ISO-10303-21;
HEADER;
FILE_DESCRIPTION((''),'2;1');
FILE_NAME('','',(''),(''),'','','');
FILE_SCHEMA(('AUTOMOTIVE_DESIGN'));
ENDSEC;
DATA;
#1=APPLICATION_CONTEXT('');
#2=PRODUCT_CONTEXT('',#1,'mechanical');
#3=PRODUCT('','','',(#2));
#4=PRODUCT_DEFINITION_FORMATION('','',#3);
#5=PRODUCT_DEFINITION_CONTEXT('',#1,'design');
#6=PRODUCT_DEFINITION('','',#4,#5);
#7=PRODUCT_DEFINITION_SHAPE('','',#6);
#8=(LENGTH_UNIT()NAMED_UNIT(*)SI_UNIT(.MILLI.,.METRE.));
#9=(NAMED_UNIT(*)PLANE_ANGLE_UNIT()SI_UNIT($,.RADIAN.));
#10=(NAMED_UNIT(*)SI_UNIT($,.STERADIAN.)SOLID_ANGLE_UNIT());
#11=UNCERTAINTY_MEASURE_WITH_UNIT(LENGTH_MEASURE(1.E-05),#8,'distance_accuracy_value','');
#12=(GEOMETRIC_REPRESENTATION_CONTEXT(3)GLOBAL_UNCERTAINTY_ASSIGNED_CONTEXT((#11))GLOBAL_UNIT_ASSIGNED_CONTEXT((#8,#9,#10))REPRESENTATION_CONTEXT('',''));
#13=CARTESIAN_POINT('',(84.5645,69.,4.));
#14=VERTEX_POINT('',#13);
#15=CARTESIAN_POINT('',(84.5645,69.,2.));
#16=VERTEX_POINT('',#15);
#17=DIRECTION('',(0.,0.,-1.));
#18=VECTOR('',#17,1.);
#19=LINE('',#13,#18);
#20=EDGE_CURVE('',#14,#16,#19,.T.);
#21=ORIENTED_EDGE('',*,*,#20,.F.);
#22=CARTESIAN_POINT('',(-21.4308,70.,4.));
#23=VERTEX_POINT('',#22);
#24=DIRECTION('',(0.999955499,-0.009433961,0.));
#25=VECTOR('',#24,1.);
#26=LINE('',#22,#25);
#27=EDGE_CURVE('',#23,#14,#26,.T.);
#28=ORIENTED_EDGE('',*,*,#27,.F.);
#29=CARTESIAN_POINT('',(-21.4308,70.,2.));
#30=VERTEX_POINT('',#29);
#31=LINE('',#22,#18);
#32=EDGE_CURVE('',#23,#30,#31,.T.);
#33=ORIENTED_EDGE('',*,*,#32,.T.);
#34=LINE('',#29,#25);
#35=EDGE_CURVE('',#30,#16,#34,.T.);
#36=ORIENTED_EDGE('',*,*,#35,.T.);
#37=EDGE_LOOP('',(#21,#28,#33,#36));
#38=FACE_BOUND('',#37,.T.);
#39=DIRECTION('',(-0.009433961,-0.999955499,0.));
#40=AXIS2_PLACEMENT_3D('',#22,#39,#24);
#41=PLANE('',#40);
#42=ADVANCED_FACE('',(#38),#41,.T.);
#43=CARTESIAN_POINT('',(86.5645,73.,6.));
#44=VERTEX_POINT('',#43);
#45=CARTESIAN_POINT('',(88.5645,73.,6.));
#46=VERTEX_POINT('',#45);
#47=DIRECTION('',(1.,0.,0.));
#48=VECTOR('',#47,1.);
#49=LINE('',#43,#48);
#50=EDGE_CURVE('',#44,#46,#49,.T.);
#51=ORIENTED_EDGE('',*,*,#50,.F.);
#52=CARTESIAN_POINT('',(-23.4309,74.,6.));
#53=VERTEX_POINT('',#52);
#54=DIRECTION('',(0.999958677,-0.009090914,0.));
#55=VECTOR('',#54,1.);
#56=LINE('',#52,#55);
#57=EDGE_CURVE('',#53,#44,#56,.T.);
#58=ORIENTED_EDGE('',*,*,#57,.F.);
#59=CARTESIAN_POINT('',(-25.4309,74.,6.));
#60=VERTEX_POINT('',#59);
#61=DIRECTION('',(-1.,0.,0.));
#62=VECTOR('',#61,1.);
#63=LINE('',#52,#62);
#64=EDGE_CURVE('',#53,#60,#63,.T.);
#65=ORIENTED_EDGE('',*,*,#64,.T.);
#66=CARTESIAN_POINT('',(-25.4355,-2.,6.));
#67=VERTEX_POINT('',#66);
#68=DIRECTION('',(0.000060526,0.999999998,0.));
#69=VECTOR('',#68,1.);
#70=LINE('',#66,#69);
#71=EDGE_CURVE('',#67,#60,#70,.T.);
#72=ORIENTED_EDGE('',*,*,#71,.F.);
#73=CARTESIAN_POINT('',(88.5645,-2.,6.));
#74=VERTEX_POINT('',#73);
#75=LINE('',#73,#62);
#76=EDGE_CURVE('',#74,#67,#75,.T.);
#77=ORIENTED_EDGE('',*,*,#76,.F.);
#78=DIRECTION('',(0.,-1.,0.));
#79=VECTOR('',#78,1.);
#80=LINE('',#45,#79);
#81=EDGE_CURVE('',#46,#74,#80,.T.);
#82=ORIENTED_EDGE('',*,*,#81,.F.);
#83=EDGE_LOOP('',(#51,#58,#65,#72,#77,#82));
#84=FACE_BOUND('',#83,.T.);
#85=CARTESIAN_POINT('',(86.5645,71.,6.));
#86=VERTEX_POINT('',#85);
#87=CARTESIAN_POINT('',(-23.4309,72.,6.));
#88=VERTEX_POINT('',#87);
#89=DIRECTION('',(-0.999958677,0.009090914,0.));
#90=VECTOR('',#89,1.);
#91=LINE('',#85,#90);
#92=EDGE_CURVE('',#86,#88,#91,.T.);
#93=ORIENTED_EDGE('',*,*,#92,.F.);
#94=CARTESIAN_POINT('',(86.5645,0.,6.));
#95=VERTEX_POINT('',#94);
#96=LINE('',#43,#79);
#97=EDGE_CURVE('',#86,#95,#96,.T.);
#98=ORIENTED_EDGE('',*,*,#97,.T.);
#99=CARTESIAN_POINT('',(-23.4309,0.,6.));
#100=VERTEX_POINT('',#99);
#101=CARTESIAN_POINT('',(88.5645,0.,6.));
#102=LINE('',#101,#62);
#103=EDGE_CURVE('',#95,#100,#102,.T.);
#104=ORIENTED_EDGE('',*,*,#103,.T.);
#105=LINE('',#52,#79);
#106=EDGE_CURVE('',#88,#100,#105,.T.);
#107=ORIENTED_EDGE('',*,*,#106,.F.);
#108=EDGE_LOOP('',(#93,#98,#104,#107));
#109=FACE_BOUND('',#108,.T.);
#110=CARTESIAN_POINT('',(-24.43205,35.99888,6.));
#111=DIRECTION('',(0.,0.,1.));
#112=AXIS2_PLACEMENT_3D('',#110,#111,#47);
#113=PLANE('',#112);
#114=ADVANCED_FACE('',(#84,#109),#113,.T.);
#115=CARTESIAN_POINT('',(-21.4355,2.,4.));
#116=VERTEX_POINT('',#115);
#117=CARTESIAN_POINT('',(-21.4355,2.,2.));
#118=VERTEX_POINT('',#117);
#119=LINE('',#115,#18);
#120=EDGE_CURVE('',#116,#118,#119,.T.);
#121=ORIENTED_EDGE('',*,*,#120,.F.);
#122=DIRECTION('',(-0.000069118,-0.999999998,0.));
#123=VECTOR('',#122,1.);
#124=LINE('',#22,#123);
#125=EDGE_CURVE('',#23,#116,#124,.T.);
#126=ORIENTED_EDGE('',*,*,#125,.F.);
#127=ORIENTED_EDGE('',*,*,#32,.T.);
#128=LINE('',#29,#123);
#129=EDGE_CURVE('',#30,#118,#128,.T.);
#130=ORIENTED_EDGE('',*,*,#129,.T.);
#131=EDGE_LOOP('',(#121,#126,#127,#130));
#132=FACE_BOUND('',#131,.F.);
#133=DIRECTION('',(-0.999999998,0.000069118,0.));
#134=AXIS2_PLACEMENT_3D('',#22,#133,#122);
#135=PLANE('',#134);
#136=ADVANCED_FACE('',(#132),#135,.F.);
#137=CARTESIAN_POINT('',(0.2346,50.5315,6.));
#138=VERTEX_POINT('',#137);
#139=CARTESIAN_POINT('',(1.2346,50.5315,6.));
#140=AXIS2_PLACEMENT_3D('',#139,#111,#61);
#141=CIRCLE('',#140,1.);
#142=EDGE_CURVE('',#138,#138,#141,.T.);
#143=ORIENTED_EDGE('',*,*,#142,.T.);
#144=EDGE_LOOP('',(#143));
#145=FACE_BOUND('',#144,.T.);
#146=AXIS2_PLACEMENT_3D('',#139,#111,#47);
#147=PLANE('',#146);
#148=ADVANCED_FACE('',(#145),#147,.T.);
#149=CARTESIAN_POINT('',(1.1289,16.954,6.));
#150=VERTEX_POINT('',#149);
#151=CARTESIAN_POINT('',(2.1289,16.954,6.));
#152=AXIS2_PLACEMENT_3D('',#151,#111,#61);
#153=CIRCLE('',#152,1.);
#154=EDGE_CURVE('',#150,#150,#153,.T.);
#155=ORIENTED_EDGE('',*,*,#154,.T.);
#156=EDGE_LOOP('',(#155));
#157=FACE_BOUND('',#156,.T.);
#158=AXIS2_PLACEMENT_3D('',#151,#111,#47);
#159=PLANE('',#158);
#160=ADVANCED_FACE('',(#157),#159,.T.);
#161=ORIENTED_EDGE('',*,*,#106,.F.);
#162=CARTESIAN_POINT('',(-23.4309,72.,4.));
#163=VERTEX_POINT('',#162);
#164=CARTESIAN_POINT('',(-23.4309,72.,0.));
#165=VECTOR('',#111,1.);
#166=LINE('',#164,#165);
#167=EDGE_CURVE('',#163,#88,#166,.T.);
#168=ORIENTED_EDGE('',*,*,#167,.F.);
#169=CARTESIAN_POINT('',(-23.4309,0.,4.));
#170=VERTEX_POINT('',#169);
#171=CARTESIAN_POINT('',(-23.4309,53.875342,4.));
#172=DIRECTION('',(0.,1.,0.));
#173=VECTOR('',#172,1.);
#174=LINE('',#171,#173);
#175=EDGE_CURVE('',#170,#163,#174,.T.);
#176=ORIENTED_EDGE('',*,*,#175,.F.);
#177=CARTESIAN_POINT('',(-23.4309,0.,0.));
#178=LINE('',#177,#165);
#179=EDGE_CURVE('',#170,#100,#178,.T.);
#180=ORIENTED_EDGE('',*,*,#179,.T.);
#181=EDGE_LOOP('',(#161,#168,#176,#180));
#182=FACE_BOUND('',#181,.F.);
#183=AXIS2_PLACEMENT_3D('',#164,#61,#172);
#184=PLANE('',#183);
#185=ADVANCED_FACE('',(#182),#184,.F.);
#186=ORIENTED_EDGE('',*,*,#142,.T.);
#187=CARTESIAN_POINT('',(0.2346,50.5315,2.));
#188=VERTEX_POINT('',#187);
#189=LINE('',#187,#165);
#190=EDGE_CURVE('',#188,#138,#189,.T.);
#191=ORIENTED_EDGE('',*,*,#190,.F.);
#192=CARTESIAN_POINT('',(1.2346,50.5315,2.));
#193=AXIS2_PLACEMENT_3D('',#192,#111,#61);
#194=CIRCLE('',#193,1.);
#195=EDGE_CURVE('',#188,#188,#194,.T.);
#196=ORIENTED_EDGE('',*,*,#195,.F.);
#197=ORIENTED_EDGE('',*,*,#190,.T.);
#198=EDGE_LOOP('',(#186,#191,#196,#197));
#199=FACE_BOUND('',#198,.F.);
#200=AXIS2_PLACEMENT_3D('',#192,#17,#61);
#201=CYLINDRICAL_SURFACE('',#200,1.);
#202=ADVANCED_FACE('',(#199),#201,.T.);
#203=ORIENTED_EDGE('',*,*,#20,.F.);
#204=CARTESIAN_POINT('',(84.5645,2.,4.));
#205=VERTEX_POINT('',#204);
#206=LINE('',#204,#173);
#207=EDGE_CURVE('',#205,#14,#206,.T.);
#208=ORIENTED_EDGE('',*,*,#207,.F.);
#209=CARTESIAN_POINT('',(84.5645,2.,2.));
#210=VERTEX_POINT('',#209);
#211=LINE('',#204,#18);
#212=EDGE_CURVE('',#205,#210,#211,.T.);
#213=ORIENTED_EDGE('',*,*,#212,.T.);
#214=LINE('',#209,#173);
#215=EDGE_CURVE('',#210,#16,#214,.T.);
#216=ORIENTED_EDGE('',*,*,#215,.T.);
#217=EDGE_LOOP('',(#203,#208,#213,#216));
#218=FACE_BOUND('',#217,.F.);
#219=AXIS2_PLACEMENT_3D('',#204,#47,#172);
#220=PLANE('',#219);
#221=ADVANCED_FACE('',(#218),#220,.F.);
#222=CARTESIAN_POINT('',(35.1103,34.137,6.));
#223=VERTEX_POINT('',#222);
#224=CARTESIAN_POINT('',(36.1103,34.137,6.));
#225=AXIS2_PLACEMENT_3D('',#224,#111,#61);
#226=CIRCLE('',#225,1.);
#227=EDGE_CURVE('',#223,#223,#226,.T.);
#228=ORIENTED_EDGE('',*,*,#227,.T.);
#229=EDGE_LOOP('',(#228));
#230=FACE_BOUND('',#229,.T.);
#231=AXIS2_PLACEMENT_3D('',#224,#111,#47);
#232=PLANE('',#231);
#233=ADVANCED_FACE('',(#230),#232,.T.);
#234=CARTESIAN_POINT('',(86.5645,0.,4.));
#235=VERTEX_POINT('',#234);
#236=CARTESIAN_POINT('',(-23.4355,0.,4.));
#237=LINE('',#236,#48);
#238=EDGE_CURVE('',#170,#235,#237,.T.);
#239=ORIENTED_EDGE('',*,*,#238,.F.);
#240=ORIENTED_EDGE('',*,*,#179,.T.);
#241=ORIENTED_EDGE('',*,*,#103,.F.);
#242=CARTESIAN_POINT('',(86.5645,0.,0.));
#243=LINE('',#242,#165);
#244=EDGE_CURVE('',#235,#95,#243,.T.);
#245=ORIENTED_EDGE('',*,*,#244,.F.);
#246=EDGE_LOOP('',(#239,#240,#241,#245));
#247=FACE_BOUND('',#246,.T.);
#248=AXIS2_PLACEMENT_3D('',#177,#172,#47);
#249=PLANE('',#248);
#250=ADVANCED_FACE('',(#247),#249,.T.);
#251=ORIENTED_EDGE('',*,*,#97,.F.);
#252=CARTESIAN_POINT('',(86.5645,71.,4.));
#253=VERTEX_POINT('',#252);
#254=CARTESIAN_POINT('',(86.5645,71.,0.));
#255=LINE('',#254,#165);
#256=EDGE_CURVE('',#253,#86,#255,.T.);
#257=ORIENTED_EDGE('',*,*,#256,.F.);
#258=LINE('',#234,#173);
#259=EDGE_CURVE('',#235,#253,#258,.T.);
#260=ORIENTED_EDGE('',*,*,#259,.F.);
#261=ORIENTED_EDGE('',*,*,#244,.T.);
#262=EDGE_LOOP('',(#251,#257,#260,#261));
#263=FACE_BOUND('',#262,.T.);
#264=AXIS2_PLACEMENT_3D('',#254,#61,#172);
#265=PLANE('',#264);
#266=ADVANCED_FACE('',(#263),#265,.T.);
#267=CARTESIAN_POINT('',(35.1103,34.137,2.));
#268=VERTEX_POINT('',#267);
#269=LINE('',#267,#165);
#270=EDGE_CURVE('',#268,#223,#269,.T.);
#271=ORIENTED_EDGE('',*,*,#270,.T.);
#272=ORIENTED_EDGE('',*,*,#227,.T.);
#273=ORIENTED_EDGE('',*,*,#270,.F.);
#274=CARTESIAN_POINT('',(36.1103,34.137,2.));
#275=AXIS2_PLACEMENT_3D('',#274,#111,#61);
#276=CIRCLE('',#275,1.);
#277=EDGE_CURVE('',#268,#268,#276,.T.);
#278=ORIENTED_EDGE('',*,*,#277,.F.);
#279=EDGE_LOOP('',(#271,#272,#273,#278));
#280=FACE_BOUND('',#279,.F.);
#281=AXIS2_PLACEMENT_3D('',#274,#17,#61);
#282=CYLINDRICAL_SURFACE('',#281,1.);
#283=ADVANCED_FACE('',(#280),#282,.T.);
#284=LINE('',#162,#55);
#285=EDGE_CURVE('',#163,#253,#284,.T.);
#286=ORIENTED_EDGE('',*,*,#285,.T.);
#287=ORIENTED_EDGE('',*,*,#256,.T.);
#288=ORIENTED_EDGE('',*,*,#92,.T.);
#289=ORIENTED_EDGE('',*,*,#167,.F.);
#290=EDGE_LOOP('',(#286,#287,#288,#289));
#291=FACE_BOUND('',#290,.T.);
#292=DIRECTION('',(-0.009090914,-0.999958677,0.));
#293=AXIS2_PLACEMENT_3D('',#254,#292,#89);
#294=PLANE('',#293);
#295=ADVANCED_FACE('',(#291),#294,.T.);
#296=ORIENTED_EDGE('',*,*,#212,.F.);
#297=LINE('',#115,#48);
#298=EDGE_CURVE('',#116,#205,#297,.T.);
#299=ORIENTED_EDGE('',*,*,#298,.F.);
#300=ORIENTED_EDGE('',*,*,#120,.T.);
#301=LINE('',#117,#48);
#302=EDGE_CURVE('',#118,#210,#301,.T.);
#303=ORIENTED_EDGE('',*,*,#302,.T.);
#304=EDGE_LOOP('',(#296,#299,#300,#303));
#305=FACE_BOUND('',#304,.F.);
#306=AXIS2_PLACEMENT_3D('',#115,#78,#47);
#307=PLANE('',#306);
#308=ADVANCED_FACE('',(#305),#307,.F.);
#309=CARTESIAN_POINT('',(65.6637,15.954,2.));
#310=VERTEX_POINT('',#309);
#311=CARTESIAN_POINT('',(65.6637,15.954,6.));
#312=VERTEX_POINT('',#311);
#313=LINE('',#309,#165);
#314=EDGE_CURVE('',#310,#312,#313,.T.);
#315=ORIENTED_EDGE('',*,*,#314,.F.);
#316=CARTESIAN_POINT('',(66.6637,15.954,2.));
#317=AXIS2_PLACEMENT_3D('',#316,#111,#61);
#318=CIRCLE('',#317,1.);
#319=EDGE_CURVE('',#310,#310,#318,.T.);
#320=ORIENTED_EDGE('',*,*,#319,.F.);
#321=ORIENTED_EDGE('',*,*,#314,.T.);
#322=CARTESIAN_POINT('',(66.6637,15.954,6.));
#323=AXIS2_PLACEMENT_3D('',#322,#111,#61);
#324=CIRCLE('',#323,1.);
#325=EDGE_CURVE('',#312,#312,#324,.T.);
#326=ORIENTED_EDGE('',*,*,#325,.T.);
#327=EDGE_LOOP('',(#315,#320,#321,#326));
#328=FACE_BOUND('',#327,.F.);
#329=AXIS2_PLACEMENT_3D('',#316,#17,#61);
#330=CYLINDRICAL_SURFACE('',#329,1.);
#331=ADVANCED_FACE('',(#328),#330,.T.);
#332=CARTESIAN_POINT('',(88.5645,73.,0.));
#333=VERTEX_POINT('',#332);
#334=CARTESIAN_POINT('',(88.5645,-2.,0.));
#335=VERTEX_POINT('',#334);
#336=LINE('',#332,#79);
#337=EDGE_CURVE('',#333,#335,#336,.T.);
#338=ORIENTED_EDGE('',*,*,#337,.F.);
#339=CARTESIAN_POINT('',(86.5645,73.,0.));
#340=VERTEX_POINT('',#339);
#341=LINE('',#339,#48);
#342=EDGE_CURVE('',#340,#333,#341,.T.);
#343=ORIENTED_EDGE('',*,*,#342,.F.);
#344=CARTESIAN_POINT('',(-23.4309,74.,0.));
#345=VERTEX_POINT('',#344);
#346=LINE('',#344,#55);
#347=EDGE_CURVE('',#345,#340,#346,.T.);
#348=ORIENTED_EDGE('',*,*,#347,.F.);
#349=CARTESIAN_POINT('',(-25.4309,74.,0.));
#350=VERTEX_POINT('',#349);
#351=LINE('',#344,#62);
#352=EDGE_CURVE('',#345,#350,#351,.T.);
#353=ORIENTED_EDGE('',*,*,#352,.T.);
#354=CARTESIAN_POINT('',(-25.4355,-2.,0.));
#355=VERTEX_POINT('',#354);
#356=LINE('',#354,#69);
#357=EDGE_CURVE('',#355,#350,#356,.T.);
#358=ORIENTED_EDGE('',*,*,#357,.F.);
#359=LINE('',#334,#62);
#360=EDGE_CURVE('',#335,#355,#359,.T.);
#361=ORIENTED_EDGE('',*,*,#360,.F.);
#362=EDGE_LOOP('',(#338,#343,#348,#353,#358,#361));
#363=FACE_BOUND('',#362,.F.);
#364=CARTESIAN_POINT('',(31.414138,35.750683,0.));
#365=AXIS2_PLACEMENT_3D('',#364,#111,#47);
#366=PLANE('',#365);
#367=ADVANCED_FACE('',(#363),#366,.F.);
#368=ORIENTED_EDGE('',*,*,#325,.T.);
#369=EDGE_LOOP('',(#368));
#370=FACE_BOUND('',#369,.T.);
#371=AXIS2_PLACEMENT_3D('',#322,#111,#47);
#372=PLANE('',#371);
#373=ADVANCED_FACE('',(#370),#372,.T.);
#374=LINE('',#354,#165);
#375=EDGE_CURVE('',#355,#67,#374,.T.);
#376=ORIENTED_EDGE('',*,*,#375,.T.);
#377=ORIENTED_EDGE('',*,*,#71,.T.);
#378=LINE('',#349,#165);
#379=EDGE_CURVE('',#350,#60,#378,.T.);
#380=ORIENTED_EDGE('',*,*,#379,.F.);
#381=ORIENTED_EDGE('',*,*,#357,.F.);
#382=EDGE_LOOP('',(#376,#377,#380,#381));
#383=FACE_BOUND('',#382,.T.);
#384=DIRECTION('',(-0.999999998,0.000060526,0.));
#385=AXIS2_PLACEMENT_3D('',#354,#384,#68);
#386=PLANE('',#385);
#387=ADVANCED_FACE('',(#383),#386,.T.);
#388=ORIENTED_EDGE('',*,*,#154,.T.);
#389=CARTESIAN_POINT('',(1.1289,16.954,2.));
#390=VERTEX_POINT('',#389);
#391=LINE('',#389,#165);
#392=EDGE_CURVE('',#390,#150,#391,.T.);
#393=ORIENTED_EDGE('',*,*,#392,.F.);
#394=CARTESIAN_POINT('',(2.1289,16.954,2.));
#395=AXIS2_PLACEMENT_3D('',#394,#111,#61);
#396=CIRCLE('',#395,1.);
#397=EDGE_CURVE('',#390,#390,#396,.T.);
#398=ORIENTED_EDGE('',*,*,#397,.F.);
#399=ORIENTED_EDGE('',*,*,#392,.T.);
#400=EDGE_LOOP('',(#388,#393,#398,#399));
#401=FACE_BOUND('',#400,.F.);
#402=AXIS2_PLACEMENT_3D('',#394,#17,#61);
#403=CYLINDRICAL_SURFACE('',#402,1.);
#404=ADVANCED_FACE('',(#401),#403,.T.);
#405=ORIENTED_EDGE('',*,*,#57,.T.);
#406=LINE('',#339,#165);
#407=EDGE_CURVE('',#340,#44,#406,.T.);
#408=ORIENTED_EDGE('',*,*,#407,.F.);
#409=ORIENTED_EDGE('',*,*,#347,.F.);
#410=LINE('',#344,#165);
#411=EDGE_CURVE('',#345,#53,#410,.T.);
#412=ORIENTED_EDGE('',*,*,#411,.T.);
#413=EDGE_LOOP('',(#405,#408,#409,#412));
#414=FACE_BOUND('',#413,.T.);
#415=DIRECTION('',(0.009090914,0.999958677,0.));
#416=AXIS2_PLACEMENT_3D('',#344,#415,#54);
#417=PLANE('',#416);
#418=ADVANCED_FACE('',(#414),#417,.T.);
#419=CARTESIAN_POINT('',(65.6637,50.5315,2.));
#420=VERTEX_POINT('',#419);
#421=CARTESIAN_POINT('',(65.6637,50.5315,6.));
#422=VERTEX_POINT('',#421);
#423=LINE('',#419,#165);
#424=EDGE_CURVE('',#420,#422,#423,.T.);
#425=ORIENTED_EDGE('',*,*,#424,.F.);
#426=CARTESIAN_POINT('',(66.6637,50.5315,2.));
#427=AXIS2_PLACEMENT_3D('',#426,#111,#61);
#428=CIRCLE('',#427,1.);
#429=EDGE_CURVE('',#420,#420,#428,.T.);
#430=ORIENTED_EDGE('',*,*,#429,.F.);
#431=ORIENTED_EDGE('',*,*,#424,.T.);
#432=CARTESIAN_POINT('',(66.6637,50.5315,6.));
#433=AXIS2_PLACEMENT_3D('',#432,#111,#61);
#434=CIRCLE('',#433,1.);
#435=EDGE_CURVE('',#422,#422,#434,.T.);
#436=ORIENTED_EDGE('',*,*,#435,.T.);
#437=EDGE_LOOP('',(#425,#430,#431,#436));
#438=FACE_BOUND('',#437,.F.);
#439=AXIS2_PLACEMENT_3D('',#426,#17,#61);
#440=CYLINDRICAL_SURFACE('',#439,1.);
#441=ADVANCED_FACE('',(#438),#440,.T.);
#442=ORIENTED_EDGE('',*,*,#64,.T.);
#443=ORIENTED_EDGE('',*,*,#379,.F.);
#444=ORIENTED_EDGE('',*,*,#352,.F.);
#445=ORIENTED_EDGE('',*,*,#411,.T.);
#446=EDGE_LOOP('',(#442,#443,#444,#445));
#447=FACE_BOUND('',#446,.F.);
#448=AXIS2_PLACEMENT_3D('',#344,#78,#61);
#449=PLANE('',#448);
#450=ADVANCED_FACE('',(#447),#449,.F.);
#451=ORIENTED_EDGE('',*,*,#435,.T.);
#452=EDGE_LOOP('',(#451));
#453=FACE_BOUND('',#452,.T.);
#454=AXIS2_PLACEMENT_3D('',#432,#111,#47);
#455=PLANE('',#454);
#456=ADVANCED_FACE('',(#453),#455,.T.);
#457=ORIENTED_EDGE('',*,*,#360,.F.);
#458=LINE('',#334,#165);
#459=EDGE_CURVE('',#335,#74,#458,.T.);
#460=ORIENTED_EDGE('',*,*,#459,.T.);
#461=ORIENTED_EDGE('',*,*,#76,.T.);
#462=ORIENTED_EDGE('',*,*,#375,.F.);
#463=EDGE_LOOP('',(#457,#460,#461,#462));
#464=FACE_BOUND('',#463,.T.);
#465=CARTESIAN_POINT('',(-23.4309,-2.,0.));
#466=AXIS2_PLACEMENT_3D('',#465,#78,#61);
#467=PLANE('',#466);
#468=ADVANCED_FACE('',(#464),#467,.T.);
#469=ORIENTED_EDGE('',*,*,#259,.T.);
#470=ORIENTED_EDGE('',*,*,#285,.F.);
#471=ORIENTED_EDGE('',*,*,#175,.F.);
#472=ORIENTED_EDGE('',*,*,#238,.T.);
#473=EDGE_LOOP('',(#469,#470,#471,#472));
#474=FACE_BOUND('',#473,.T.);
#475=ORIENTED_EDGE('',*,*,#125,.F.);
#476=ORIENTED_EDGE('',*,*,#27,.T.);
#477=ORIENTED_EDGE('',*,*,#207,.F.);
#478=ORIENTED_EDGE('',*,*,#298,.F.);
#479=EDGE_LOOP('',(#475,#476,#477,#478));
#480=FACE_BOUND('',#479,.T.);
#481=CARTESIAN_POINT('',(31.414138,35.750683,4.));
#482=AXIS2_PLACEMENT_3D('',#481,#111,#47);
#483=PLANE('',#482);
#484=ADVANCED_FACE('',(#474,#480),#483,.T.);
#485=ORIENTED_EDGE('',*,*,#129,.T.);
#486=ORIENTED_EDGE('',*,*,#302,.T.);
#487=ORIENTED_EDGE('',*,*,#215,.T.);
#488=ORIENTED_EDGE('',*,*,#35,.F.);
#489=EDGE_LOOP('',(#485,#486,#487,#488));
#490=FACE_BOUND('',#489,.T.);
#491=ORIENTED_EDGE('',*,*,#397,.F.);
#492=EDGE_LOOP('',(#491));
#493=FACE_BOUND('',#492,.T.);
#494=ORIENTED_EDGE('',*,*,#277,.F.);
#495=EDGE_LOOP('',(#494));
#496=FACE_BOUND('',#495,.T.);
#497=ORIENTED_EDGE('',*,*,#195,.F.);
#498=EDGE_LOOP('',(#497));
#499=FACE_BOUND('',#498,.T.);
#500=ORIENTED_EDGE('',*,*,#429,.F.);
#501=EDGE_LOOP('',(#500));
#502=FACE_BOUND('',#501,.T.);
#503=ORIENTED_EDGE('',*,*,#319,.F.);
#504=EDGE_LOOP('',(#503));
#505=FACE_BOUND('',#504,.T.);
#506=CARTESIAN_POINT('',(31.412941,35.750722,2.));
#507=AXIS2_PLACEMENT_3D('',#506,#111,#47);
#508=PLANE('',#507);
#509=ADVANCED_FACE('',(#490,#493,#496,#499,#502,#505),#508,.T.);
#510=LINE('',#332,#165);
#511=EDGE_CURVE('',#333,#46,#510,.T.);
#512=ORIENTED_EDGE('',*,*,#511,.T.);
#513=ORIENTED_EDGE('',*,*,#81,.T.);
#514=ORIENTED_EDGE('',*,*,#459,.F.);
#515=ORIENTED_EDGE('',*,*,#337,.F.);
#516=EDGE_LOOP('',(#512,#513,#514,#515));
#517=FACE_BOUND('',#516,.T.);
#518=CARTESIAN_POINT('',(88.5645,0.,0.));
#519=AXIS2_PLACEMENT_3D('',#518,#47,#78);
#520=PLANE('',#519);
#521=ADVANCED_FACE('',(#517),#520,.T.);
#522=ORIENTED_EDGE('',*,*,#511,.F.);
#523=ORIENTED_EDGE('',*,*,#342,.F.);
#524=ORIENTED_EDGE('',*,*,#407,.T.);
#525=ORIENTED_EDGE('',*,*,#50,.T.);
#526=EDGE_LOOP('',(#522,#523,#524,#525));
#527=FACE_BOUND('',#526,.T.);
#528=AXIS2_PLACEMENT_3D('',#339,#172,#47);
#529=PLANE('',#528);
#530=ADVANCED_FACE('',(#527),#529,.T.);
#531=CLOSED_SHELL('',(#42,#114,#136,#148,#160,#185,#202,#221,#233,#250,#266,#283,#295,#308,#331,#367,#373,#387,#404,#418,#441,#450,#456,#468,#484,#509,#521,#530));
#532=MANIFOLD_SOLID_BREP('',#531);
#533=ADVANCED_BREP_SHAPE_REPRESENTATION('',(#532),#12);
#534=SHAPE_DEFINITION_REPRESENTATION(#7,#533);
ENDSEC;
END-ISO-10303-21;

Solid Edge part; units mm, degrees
sketch "Sketch1" plane through (0, 0, 0) normal (0, 0, 1) x (1, 0, 0)
  line L0 (-23.4355, 0) -> (86.5645, 0)
  line L1 (86.5645, 0) -> (86.5645, 71)
  line L2 (-23.4309, 72) -> (86.5645, 71)
  line L3 (-23.4309, 72) -> (-23.4355, 0)
extrude "Protrusion1" add sketch "Sketch1" along normal blind 4
sketch "Sketch2" plane through (31.5645, 36, 4) normal (0, 0, 1) x (1, 0, 0)
  line L0 (-53, -34) -> (53, -34)
  line L1 (53, -34) -> (53, 33)
  line L2 (-52.9953, 34) -> (53, 33)
  line L3 (-52.9953, 34) -> (-53, -34)
extrude "ExtrudedCutout_1" cut sketch "Sketch2" against normal blind 2
sketch "Sketch3" plane through (31.5645, 36, 2) normal (0, 0, 1) x (-1, 0, 0)
  circle A0 centre (-35.0992, 20.046) radius 1
  circle A1 centre (-35.0992, -14.5315) radius 1
  circle A2 centre (-4.5458, 1.863) radius 1
  circle A3 centre (30.3299, -14.5315) radius 1
  circle A4 centre (29.4356, 19.046) radius 1
extrude "ExtrudedProtrusion_7" add sketch "Sketch3" along normal blind 4
sketch "Sketch4" plane through (0, 0, 0) normal (0, 0, 1) x (1, 0, 0)
  line L0 (-23.4309, 73.9825) -> (-23.4309, 74)
  line L1 (-23.4309, 74) -> (-25.4309, 74)
  line L2 (-25.4355, -2) -> (-25.4309, 74)
  line L3 (-23.4309, -2) -> (-25.4355, -2)
  line L4 (-23.4309, 72) -> (-23.4309, -2)
  line L5 (-23.4309, 72) -> (-23.4309, 73.9825)
extrude "ExtrudedProtrusion_8" add sketch "Sketch4" along normal blind 6
sketch "Sketch5" plane through (0, 0, 0) normal (0, 0, 1) x (1, 0, 0)
  line L0 (-23.4309, 0) -> (86.5645, 0)
  line L1 (86.5645, 0) -> (88.5645, 0)
  line L2 (88.5645, 0) -> (88.5645, -2)
  line L3 (88.5645, -2) -> (-23.4309, -2)
  line L4 (-23.4309, -2) -> (-23.4309, 0)
extrude "ExtrudedProtrusion_9" add sketch "Sketch5" along normal blind 6
sketch "Sketch6" plane through (0, 0, 0) normal (0, 0, 1) x (1, 0, 0)
  line L0 (86.5645, 0) -> (86.5645, 71)
  line L1 (86.5645, 71) -> (86.5645, 73)
  line L2 (86.5645, 73) -> (88.5645, 73)
  line L3 (88.5645, 73) -> (88.5645, 0)
  line L4 (88.5645, 0) -> (86.5645, 0)
extrude "ExtrudedProtrusion_10" add sketch "Sketch6" along normal blind 6
sketch "Sketch7" plane through (0, 0, 0) normal (0, 0, 1) x (1, 0, 0)
  line L0 (86.5645, 73) -> (86.5645, 71)
  line L1 (86.5645, 71) -> (-23.4309, 72)
  line L2 (-23.4309, 72) -> (-23.4309, 74)
  line L3 (-23.4309, 74) -> (86.5645, 73)
extrude "ExtrudedProtrusion_11" add sketch "Sketch7" along normal blind 6
